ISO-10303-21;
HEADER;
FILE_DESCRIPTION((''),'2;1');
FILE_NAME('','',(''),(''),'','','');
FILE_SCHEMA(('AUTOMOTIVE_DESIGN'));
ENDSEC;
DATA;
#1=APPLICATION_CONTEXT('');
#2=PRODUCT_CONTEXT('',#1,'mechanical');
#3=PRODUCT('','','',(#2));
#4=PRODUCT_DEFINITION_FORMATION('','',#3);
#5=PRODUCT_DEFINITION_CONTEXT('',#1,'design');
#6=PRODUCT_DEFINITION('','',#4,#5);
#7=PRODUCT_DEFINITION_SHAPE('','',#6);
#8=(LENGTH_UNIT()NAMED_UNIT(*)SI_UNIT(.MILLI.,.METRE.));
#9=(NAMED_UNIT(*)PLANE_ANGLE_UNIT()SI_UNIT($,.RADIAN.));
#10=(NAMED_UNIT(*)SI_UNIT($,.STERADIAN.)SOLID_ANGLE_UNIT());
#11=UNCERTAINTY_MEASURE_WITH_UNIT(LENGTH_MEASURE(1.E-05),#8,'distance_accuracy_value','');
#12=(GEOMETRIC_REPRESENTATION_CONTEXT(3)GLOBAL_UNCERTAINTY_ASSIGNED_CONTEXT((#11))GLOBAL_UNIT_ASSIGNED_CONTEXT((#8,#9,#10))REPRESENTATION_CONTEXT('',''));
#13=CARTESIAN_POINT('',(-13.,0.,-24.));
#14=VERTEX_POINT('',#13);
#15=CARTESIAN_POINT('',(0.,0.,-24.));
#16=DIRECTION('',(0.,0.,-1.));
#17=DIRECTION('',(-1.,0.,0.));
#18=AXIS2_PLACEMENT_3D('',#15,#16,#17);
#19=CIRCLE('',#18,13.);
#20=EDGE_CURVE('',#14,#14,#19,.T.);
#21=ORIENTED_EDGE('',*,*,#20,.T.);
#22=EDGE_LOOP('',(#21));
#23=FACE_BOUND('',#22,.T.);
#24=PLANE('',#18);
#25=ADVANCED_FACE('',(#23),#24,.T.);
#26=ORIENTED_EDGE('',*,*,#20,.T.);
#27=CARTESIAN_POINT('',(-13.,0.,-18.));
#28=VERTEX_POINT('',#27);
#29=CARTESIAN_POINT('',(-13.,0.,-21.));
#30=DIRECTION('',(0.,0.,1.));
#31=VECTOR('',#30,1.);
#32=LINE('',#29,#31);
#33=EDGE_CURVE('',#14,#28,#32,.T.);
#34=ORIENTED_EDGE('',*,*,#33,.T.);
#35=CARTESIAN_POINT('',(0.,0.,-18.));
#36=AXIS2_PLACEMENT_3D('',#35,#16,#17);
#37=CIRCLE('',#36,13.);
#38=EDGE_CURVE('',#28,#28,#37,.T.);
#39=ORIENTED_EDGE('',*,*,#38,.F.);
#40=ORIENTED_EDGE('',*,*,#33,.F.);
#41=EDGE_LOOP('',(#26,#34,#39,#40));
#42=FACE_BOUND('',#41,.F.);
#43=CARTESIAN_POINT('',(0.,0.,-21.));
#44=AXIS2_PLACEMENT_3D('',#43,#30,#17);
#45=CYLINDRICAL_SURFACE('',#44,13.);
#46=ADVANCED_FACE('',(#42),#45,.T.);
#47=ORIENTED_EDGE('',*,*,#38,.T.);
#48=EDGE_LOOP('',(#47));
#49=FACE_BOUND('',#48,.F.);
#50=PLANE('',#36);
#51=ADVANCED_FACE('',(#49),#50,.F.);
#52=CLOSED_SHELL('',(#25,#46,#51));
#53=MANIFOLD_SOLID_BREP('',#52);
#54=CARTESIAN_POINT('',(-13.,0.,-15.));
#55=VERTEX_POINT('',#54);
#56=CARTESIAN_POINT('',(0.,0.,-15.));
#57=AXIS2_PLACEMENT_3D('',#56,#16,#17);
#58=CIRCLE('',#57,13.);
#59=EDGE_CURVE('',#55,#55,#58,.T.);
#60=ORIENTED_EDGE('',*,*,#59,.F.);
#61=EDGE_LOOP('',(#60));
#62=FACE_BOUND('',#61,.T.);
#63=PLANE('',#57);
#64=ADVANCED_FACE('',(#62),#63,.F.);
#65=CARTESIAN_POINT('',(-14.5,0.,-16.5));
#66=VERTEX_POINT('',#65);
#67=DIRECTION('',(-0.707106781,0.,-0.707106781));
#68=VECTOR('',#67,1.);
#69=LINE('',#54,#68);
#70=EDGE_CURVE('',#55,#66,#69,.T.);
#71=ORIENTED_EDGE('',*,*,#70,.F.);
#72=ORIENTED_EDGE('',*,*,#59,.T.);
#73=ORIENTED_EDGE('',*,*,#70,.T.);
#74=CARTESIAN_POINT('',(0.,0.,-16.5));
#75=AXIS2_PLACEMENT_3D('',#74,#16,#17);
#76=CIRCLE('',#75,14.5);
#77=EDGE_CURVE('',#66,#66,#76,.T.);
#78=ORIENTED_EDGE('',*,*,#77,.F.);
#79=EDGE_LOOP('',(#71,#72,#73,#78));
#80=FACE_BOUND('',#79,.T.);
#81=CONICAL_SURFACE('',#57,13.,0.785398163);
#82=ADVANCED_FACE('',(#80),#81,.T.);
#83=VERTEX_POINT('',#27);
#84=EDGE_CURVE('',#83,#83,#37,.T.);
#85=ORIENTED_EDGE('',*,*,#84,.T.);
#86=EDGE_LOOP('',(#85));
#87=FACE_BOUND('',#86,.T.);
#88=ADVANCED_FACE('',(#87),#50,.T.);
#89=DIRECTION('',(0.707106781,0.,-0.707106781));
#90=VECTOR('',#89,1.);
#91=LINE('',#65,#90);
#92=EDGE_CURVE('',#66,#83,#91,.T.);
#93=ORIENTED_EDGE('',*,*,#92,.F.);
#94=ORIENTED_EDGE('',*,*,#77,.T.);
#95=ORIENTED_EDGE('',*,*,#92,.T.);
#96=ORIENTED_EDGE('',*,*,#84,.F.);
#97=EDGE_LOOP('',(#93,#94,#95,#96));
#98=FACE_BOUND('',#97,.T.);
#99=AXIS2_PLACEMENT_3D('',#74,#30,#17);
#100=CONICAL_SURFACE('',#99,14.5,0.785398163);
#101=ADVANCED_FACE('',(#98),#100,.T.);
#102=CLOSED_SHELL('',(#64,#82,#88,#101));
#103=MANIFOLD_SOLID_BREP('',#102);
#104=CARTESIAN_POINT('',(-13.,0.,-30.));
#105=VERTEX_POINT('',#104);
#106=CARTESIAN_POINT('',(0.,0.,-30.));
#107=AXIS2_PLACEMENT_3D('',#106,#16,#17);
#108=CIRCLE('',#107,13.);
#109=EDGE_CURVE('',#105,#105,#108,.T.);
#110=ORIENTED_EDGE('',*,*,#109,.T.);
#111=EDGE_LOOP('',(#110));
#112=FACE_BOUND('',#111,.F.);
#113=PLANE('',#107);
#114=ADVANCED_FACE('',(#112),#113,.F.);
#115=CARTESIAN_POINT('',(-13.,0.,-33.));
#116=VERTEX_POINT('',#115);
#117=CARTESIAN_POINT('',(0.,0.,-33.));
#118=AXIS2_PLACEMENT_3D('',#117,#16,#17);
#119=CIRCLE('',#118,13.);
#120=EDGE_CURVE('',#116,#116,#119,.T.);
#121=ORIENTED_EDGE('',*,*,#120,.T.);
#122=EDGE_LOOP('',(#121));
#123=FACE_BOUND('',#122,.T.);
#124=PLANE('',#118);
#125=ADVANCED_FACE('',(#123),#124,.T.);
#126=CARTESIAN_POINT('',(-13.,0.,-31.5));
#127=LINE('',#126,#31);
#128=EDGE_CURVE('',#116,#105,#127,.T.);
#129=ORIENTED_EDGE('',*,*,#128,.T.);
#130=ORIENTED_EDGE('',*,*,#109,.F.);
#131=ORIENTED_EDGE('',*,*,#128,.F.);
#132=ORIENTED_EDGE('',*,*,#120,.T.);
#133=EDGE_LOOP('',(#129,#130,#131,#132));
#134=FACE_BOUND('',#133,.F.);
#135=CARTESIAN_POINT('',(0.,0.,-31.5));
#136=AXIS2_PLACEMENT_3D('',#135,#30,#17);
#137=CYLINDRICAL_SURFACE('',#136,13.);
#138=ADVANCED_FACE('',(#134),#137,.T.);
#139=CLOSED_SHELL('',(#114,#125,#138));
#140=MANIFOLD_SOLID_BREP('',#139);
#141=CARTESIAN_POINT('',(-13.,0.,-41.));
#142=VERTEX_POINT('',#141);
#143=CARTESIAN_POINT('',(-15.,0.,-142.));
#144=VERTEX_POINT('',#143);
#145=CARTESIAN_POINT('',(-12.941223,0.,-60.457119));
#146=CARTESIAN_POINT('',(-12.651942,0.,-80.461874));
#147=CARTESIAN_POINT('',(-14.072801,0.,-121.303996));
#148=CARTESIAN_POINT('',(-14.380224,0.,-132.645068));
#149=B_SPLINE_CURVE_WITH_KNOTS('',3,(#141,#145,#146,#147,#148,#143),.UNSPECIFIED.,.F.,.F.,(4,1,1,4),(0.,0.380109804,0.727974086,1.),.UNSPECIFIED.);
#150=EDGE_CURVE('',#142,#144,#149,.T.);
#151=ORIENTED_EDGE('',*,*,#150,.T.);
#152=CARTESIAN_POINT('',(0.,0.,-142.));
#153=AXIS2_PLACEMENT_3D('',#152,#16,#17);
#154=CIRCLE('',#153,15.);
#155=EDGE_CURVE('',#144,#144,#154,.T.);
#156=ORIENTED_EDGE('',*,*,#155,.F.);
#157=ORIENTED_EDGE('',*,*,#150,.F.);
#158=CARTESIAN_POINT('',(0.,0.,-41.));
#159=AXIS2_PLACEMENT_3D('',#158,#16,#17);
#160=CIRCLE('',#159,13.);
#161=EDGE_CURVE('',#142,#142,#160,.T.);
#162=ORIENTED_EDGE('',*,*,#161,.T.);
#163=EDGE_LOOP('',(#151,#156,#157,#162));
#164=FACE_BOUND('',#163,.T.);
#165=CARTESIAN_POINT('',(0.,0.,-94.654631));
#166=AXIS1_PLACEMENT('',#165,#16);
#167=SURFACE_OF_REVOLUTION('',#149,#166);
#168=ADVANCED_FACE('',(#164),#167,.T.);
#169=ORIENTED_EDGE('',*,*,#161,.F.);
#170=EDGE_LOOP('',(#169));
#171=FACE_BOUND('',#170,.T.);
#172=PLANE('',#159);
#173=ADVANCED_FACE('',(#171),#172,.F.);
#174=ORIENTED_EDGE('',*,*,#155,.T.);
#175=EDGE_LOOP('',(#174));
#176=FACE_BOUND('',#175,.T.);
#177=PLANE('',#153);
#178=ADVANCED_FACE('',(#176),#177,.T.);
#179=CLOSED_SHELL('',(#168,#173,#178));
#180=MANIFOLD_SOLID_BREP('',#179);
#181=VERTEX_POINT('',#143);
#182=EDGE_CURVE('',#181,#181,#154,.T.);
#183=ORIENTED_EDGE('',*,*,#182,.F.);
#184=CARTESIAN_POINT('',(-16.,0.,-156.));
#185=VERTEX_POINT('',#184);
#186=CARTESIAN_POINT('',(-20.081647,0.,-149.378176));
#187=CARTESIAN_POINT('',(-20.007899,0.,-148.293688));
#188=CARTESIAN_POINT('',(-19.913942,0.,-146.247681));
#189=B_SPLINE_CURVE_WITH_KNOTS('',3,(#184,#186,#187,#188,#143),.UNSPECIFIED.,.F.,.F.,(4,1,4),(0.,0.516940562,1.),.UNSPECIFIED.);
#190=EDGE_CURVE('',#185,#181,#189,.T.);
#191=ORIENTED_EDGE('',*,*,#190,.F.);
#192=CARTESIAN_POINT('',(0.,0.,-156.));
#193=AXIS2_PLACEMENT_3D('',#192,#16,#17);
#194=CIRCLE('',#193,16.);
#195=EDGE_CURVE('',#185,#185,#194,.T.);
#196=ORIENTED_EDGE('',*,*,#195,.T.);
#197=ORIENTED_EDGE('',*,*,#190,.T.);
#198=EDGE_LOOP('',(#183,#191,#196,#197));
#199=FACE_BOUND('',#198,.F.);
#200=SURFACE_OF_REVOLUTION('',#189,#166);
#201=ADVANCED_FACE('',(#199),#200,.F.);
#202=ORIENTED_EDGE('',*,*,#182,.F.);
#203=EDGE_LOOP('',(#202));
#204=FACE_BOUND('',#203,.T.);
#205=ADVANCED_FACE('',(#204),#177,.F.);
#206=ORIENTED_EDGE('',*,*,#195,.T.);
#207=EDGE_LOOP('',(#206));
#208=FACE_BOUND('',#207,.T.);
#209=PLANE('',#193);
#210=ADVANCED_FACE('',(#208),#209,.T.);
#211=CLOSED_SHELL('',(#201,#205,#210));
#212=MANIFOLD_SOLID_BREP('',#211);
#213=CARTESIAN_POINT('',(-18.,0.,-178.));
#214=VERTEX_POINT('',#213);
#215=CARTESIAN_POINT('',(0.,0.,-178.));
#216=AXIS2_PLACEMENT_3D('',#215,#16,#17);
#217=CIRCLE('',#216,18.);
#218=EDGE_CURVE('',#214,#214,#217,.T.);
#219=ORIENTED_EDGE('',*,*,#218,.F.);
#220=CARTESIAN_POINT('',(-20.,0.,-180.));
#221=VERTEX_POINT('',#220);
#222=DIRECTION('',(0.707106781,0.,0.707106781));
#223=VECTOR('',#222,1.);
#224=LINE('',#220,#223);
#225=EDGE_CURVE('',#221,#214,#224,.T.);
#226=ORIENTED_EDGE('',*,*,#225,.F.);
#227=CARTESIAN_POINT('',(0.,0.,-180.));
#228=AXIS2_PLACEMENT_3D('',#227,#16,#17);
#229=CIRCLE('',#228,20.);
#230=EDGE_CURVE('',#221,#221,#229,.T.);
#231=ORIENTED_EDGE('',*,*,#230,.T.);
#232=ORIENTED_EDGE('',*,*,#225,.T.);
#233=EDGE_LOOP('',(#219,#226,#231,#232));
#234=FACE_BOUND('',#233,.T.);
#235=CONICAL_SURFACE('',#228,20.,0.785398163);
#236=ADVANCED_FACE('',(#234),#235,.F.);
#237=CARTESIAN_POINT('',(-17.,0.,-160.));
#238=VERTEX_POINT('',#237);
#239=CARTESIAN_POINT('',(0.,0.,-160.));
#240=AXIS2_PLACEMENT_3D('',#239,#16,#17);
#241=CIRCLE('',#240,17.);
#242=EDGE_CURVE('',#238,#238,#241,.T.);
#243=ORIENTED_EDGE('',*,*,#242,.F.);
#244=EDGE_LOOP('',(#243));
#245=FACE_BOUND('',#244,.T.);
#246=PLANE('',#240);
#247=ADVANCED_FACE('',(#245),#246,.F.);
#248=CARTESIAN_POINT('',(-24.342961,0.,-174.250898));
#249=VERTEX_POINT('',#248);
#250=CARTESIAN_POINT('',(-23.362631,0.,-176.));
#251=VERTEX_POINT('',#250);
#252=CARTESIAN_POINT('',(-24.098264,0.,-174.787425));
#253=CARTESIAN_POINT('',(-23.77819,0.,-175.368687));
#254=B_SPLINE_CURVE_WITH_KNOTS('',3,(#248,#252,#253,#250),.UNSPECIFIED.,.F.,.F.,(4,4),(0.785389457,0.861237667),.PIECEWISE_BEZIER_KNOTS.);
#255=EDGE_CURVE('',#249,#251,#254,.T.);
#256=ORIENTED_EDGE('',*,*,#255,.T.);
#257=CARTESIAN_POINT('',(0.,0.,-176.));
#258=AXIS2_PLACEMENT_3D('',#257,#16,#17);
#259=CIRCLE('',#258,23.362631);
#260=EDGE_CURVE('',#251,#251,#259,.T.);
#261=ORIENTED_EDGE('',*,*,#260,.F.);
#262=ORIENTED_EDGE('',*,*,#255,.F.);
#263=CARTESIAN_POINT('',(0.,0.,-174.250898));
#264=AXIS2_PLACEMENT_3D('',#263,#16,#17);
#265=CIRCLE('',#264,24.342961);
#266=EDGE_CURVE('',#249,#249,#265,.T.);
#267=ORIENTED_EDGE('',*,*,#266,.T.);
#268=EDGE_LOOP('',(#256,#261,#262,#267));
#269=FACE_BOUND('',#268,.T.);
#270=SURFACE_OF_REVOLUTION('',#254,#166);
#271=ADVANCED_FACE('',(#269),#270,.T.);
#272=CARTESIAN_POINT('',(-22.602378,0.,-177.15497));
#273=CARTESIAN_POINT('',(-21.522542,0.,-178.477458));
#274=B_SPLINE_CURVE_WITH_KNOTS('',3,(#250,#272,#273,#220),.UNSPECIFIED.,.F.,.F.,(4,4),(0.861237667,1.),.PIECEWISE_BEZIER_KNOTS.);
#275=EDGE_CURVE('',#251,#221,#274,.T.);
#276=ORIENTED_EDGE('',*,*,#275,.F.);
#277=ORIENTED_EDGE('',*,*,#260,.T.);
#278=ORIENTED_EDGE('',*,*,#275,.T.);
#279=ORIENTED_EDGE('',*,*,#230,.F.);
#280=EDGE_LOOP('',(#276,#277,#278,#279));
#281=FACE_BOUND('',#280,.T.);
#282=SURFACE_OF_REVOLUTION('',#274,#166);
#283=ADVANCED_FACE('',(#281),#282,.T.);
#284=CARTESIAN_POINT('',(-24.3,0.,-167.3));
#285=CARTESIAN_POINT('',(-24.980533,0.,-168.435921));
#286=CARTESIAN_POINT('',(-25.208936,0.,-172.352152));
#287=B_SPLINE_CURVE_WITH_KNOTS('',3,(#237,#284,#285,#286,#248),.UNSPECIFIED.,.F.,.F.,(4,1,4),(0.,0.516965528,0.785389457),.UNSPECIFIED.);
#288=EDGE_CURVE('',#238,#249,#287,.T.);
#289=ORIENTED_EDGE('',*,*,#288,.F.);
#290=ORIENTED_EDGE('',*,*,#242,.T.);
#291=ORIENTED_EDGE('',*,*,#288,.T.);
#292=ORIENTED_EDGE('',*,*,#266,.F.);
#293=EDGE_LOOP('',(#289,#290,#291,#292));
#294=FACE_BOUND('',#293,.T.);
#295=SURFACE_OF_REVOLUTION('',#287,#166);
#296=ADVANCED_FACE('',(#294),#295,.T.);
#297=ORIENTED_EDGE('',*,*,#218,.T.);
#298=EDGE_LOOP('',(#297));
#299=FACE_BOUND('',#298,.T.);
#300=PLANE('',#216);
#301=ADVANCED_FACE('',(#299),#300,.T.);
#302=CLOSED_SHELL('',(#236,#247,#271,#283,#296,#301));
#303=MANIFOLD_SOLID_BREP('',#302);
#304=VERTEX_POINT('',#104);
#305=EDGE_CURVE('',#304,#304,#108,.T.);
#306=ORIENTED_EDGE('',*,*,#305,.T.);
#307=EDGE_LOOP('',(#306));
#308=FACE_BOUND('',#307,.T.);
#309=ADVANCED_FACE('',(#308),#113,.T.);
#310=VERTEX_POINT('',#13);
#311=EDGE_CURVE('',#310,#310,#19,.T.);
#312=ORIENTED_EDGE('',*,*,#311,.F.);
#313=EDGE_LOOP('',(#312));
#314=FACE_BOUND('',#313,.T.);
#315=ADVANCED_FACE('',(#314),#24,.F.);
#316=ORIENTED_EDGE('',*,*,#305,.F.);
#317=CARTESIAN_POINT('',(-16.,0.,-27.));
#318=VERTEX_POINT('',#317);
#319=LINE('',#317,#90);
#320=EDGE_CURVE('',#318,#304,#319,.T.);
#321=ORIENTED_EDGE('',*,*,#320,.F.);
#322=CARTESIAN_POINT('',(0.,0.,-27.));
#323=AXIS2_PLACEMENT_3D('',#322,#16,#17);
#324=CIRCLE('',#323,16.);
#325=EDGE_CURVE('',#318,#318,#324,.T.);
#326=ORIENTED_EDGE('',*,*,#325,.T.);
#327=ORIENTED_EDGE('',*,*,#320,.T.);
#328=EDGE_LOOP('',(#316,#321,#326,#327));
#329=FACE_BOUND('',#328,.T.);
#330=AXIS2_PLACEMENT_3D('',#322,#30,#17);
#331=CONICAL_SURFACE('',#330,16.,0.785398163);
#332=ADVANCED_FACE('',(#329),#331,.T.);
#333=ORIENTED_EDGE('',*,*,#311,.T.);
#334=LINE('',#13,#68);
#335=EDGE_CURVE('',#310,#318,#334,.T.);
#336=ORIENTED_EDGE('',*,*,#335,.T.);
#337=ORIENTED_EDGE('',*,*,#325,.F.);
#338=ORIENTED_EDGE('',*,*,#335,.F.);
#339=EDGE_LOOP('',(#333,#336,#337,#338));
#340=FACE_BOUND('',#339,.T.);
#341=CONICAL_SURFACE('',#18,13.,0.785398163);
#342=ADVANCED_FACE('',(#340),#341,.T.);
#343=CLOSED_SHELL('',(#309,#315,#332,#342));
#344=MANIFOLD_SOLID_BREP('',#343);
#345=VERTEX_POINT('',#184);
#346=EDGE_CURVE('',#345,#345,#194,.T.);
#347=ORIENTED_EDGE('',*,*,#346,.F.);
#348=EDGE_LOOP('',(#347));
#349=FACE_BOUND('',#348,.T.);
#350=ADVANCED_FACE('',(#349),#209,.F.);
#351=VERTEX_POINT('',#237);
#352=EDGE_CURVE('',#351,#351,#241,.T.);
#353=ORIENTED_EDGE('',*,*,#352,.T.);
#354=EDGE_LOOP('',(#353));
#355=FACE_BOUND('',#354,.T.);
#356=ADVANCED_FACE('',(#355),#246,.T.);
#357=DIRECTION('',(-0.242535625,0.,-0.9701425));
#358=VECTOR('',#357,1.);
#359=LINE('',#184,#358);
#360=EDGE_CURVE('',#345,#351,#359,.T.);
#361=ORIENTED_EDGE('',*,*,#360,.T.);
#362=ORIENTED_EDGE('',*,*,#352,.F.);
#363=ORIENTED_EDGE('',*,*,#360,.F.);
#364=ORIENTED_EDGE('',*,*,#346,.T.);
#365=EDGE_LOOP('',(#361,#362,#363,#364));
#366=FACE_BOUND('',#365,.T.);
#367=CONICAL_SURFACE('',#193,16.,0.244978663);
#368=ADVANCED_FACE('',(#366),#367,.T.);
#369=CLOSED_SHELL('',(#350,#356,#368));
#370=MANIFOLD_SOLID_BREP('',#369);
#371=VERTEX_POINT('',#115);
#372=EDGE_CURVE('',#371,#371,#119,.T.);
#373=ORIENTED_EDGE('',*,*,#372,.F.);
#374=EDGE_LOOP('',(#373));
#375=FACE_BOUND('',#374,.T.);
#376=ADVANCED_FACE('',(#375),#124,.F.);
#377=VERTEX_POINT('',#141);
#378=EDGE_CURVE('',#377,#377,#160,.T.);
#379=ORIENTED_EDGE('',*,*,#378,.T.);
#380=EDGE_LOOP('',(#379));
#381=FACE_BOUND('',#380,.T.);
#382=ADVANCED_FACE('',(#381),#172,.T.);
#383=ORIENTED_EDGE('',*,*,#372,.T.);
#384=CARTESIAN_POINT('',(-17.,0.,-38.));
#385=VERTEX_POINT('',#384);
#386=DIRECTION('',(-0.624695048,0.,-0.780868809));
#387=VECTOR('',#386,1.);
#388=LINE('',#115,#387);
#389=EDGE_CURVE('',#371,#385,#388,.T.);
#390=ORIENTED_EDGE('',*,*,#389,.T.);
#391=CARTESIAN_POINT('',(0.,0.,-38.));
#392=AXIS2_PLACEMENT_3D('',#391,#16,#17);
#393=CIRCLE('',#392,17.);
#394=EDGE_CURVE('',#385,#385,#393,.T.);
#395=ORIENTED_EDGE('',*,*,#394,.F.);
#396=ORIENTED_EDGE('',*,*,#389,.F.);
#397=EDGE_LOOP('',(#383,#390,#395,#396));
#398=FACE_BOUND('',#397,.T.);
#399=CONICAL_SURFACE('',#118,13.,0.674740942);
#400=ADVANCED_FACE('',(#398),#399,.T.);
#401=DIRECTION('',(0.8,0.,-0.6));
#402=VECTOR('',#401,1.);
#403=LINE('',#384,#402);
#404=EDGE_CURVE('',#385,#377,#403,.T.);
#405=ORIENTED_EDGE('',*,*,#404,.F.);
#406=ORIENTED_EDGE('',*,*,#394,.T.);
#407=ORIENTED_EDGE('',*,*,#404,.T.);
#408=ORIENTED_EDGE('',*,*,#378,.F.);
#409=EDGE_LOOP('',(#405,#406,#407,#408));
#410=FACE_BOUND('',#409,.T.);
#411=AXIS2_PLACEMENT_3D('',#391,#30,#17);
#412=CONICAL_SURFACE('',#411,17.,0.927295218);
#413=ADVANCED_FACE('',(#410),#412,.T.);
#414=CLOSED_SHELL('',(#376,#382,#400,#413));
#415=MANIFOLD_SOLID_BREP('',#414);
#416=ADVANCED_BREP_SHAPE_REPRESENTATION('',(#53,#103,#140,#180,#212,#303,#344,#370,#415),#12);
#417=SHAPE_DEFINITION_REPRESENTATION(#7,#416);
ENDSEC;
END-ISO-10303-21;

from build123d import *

# Parameters (mm, degrees)
F0_W   = 13
F0_H   = 6
F0_H_2 = 3


with BuildPart() as f1:
    # F0 (on Front) → F1 (revolve)
    with BuildSketch(Plane.XZ):
        with BuildLine():
            Line((0, -178), (0, -160))
            Line((0, -160), (-17, -160))
            add(Edge.make_bspline(
                [(-17, -160), (-24.3, -167.3), (-24.980532811, -168.4359209337), (-25.2089356314, -172.352152053), (-24.3429610158, -174.2508982315)],
                knots=[0, 0, 0, 0, 0.5169655278, 0.7853894573, 0.7853894573, 0.7853894573, 0.7853894573], degree=3))
            Line((-24.3429610158, -174.2508982315), (-22.7917064089, -173.229793401))
            Line((-22.7917064089, -173.229793401), (-21.6920656283, -174.9003592194))
            Line((-21.6920656283, -174.9003592194), (-23.3626314467, -176))
            add(Edge.make_bspline(
                [(-23.3626314467, -176), (-22.6023784669, -177.1549704813), (-21.5225421968, -178.4774578032), (-20, -180)],
                knots=[0.8612376667, 0.8612376667, 0.8612376667, 0.8612376667, 1, 1, 1, 1], degree=3))
            Line((-20, -180), (-18, -178))
            Line((-18, -178), (0, -178))
        make_face()
        with BuildLine():
            Line((-22.7917064089, -173.229793401), (-24.3429610158, -174.2508982315))
            add(Edge.make_bspline(
                [(-24.3429610158, -174.2508982315), (-24.0982636666, -174.7874245319), (-23.7781896597, -175.3686871582), (-23.3626314467, -176)],
                knots=[0.7853894573, 0.7853894573, 0.7853894573, 0.7853894573, 0.8612376667, 0.8612376667, 0.8612376667, 0.8612376667], degree=3))
            Line((-23.3626314467, -176), (-21.6920656283, -174.9003592194))
            Line((-21.6920656283, -174.9003592194), (-22.7917064089, -173.229793401))
        make_face()
    revolve(axis=Axis((0, 0, -94.6546308696), (0, 0, -1)))


with BuildPart() as f1b:
    # F0 (on Front) → F1, piece 2 (revolve)
    with BuildSketch(Plane.XZ):
        with BuildLine():
            Line((0, -156), (0, -142))
            Line((0, -142), (-15, -142))
            add(Edge.make_bspline(
                [(-16, -156), (-20.0816467404, -149.3781763315), (-20.0078994568, -148.2936880257), (-19.9139416218, -146.2476807833), (-15, -142)],
                knots=[0, 0, 0, 0, 0.5169405615, 1, 1, 1, 1], degree=3))
            Line((-16, -156), (0, -156))
        make_face()
    revolve(axis=Axis((0, 0, -94.6546308696), (0, 0, -1)))


with BuildPart() as f1c:
    # F0 (on Front) → F1, piece 3 (revolve)
    with BuildSketch(Plane.XZ):
        Polygon((0, -41), (0, -33), (-13, -33), (-17, -38), (-13, -41), align=None)
    revolve(axis=Axis((0, 0, -94.6546308696), (0, 0, -1)))


with BuildPart() as f1d:
    # F0 (on Front) → F1, piece 4 (revolve)
    with BuildSketch(Plane.XZ):
        Polygon((0, -30), (0, -24), (-13, -24), (-16, -27), (-13, -30), align=None)
    revolve(axis=Axis((0, 0, -94.6546308696), (0, 0, -1)))


with BuildPart() as f1e:
    # F0 (on Front) → F1, piece 5 (revolve)
    with BuildSketch(Plane.XZ):
        Polygon((0, -18), (0, -15), (-13, -15), (-14.5, -16.5), (-13, -18), align=None)
    revolve(axis=Axis((0, 0, -94.6546308696), (0, 0, -1)))


with BuildPart() as f2:
    # F0 (on Front) → F2 (revolve)
    with BuildSketch(Plane.XZ):
        with Locations((-6.5, -21)):
            Rectangle(F0_W, F0_H)
    revolve(axis=Axis((0, 0, -94.6546308696), (0, 0, -1)))


with BuildPart() as f2b:
    # F0 (on Front) → F2, piece 2 (revolve)
    with BuildSketch(Plane.XZ):
        with Locations((-6.5, -31.5)):
            Rectangle(F0_W, F0_H_2)
    revolve(axis=Axis((0, 0, -94.6546308696), (0, 0, -1)))


with BuildPart() as f2c:
    # F0 (on Front) → F2, piece 3 (revolve)
    with BuildSketch(Plane.XZ):
        Polygon((0, -160), (0, -156), (-16, -156), (-17, -160), align=None)
    revolve(axis=Axis((0, 0, -94.6546308696), (0, 0, -1)))


with BuildPart() as f3:
    # F0 (on Front) → F3 (revolve)
    with BuildSketch(Plane.XZ):
        with BuildLine():
            Line((0, -142), (0, -41))
            Line((0, -41), (-13, -41))
            add(Edge.make_bspline(
                [(-13, -41), (-12.9412225997, -60.457119119), (-12.6519423783, -80.461874006), (-14.072800506, -121.3039956721), (-14.3802237204, -132.6450677331), (-15, -142)],
                knots=[0, 0, 0, 0, 0.3801098043, 0.7279740858, 1, 1, 1, 1], degree=3))
            Line((-15, -142), (0, -142))
        make_face()
    revolve(axis=Axis((0, 0, -94.6546308696), (0, 0, -1)))


solid = Compound([f1.part, f1b.part, f1c.part, f1d.part, f1e.part, f2.part, f2b.part, f2c.part, f3.part])
